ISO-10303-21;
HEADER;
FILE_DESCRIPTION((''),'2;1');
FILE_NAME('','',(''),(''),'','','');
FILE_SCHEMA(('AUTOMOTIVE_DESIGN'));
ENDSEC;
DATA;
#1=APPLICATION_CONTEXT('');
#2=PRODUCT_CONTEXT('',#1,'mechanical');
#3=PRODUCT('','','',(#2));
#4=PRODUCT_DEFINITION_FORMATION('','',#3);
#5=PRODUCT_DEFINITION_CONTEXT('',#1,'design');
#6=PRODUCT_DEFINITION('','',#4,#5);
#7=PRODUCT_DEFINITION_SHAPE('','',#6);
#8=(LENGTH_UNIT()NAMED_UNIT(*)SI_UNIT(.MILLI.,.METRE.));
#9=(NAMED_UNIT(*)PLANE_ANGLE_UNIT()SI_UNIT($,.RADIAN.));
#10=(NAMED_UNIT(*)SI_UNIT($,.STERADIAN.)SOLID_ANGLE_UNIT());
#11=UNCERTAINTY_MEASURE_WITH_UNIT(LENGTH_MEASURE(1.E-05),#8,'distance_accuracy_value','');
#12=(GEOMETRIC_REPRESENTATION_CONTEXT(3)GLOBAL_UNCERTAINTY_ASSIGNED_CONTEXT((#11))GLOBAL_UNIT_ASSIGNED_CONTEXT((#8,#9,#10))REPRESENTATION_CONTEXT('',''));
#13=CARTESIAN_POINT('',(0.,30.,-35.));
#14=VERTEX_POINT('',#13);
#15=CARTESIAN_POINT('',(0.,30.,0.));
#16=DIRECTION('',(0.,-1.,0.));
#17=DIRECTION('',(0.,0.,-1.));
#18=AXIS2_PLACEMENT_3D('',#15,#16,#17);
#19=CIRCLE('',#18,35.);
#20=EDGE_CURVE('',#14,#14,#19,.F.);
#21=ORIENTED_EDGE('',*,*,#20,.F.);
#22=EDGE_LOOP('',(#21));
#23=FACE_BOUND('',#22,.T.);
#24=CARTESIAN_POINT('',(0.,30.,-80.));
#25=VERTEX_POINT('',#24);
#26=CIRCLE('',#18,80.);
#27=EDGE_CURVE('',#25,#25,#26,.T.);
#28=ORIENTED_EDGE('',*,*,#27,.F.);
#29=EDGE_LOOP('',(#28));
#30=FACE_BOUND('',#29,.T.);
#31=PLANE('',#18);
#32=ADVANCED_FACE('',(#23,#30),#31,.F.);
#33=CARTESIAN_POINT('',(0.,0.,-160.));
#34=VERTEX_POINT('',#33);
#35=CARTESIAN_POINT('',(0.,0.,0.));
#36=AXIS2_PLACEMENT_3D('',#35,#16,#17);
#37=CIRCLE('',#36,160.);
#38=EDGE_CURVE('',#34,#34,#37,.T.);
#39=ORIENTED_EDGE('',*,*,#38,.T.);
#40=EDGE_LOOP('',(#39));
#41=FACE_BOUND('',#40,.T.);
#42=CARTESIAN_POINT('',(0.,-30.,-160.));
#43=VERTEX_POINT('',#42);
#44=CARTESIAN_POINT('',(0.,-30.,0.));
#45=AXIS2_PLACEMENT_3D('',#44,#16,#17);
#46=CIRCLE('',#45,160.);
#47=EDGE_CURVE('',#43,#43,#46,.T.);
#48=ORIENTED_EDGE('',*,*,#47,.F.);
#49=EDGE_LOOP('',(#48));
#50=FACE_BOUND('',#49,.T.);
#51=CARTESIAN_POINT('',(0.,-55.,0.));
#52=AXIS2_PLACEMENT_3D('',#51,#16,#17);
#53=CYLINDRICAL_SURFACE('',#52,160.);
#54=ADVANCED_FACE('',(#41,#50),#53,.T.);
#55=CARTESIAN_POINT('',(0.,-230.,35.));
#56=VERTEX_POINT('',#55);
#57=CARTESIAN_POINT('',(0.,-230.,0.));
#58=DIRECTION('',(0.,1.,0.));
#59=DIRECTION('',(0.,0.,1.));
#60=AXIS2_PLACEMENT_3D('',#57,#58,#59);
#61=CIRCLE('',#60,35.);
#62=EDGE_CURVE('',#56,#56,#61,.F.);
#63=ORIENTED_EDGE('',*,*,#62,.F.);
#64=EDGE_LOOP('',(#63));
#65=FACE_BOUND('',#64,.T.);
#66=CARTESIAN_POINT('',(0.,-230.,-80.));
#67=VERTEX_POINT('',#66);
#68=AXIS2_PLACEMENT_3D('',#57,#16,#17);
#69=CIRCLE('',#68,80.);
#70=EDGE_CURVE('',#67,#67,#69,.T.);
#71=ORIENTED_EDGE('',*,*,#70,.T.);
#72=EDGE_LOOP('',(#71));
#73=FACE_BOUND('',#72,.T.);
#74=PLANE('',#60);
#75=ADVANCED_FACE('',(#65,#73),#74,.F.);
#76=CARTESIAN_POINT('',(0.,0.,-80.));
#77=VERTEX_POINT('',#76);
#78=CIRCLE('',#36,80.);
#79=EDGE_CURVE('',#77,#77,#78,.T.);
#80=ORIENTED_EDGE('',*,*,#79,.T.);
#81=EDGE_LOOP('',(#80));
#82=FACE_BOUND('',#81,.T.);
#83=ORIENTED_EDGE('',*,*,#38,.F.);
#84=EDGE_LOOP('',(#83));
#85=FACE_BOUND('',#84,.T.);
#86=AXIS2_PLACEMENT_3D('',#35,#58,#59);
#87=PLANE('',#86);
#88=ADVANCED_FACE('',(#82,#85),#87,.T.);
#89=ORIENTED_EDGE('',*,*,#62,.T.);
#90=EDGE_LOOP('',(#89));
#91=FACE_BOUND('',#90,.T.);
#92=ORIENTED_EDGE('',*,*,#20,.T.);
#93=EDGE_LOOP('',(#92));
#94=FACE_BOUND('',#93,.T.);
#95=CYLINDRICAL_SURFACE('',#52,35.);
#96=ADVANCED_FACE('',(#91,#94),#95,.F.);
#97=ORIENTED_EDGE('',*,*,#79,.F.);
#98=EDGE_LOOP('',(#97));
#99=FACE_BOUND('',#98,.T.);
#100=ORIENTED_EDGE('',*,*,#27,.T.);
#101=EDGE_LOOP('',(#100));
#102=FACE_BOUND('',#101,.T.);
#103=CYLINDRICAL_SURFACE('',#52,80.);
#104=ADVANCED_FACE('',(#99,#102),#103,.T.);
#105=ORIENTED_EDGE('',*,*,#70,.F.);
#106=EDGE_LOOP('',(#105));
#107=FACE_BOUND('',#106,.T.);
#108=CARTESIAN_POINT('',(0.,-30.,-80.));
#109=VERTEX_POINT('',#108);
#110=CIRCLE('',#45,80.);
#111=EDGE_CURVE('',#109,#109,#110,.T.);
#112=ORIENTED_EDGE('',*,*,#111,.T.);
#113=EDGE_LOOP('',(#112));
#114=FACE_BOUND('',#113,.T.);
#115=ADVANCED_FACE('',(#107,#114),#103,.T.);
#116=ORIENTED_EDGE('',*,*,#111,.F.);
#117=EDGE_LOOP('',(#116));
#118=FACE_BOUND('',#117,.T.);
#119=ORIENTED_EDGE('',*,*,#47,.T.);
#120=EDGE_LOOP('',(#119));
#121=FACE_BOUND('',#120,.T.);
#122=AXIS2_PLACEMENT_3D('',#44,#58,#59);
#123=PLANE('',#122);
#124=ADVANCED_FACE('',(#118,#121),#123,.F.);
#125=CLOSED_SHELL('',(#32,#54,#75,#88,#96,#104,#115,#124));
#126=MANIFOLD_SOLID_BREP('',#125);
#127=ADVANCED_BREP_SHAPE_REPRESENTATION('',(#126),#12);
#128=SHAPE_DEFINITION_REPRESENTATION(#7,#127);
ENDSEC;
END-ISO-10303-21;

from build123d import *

# Parameters (mm, degrees)
SKETCH2_W = 80
SKETCH2_H = 200
SKETCH4_W = 35
SKETCH4_H = 304.864877585


with BuildPart() as part:
    # Sketch2 → Revolve3 (revolve)
    with BuildSketch(Plane.XY, mode=Mode.PRIVATE) as revolve3_sk:
        Polygon((-25, 0), (0, 0), (0, 30), (-80, 30), (-80, 0), align=None)
        Polygon((0, -30), (0, 0), (-25, 0), (-80, 0), (-160, 0), (-160, -30), (-80, -30), align=None)
        with Locations((-40, -130)):
            Rectangle(SKETCH2_W, SKETCH2_H)
    revolve(revolve3_sk.sketch.rotate(Axis((0, -55, 0), (0, 1, 0)), 270), axis=Axis((0, -55, 0), (0, 1, 0)))

    # Sketch4 → Cut-Revolve7 (revolve, cut)
    with BuildSketch(Plane.XY, mode=Mode.PRIVATE) as cut_revolve7_sk:
        with Locations((-17.5, -99.023733968)):
            Rectangle(SKETCH4_W, SKETCH4_H)
    revolve(cut_revolve7_sk.sketch.rotate(Axis((0, -55, 0), (0, 1, 0)), 270), axis=Axis((0, -55, 0), (0, 1, 0)), mode=Mode.SUBTRACT)


solid = part.part
